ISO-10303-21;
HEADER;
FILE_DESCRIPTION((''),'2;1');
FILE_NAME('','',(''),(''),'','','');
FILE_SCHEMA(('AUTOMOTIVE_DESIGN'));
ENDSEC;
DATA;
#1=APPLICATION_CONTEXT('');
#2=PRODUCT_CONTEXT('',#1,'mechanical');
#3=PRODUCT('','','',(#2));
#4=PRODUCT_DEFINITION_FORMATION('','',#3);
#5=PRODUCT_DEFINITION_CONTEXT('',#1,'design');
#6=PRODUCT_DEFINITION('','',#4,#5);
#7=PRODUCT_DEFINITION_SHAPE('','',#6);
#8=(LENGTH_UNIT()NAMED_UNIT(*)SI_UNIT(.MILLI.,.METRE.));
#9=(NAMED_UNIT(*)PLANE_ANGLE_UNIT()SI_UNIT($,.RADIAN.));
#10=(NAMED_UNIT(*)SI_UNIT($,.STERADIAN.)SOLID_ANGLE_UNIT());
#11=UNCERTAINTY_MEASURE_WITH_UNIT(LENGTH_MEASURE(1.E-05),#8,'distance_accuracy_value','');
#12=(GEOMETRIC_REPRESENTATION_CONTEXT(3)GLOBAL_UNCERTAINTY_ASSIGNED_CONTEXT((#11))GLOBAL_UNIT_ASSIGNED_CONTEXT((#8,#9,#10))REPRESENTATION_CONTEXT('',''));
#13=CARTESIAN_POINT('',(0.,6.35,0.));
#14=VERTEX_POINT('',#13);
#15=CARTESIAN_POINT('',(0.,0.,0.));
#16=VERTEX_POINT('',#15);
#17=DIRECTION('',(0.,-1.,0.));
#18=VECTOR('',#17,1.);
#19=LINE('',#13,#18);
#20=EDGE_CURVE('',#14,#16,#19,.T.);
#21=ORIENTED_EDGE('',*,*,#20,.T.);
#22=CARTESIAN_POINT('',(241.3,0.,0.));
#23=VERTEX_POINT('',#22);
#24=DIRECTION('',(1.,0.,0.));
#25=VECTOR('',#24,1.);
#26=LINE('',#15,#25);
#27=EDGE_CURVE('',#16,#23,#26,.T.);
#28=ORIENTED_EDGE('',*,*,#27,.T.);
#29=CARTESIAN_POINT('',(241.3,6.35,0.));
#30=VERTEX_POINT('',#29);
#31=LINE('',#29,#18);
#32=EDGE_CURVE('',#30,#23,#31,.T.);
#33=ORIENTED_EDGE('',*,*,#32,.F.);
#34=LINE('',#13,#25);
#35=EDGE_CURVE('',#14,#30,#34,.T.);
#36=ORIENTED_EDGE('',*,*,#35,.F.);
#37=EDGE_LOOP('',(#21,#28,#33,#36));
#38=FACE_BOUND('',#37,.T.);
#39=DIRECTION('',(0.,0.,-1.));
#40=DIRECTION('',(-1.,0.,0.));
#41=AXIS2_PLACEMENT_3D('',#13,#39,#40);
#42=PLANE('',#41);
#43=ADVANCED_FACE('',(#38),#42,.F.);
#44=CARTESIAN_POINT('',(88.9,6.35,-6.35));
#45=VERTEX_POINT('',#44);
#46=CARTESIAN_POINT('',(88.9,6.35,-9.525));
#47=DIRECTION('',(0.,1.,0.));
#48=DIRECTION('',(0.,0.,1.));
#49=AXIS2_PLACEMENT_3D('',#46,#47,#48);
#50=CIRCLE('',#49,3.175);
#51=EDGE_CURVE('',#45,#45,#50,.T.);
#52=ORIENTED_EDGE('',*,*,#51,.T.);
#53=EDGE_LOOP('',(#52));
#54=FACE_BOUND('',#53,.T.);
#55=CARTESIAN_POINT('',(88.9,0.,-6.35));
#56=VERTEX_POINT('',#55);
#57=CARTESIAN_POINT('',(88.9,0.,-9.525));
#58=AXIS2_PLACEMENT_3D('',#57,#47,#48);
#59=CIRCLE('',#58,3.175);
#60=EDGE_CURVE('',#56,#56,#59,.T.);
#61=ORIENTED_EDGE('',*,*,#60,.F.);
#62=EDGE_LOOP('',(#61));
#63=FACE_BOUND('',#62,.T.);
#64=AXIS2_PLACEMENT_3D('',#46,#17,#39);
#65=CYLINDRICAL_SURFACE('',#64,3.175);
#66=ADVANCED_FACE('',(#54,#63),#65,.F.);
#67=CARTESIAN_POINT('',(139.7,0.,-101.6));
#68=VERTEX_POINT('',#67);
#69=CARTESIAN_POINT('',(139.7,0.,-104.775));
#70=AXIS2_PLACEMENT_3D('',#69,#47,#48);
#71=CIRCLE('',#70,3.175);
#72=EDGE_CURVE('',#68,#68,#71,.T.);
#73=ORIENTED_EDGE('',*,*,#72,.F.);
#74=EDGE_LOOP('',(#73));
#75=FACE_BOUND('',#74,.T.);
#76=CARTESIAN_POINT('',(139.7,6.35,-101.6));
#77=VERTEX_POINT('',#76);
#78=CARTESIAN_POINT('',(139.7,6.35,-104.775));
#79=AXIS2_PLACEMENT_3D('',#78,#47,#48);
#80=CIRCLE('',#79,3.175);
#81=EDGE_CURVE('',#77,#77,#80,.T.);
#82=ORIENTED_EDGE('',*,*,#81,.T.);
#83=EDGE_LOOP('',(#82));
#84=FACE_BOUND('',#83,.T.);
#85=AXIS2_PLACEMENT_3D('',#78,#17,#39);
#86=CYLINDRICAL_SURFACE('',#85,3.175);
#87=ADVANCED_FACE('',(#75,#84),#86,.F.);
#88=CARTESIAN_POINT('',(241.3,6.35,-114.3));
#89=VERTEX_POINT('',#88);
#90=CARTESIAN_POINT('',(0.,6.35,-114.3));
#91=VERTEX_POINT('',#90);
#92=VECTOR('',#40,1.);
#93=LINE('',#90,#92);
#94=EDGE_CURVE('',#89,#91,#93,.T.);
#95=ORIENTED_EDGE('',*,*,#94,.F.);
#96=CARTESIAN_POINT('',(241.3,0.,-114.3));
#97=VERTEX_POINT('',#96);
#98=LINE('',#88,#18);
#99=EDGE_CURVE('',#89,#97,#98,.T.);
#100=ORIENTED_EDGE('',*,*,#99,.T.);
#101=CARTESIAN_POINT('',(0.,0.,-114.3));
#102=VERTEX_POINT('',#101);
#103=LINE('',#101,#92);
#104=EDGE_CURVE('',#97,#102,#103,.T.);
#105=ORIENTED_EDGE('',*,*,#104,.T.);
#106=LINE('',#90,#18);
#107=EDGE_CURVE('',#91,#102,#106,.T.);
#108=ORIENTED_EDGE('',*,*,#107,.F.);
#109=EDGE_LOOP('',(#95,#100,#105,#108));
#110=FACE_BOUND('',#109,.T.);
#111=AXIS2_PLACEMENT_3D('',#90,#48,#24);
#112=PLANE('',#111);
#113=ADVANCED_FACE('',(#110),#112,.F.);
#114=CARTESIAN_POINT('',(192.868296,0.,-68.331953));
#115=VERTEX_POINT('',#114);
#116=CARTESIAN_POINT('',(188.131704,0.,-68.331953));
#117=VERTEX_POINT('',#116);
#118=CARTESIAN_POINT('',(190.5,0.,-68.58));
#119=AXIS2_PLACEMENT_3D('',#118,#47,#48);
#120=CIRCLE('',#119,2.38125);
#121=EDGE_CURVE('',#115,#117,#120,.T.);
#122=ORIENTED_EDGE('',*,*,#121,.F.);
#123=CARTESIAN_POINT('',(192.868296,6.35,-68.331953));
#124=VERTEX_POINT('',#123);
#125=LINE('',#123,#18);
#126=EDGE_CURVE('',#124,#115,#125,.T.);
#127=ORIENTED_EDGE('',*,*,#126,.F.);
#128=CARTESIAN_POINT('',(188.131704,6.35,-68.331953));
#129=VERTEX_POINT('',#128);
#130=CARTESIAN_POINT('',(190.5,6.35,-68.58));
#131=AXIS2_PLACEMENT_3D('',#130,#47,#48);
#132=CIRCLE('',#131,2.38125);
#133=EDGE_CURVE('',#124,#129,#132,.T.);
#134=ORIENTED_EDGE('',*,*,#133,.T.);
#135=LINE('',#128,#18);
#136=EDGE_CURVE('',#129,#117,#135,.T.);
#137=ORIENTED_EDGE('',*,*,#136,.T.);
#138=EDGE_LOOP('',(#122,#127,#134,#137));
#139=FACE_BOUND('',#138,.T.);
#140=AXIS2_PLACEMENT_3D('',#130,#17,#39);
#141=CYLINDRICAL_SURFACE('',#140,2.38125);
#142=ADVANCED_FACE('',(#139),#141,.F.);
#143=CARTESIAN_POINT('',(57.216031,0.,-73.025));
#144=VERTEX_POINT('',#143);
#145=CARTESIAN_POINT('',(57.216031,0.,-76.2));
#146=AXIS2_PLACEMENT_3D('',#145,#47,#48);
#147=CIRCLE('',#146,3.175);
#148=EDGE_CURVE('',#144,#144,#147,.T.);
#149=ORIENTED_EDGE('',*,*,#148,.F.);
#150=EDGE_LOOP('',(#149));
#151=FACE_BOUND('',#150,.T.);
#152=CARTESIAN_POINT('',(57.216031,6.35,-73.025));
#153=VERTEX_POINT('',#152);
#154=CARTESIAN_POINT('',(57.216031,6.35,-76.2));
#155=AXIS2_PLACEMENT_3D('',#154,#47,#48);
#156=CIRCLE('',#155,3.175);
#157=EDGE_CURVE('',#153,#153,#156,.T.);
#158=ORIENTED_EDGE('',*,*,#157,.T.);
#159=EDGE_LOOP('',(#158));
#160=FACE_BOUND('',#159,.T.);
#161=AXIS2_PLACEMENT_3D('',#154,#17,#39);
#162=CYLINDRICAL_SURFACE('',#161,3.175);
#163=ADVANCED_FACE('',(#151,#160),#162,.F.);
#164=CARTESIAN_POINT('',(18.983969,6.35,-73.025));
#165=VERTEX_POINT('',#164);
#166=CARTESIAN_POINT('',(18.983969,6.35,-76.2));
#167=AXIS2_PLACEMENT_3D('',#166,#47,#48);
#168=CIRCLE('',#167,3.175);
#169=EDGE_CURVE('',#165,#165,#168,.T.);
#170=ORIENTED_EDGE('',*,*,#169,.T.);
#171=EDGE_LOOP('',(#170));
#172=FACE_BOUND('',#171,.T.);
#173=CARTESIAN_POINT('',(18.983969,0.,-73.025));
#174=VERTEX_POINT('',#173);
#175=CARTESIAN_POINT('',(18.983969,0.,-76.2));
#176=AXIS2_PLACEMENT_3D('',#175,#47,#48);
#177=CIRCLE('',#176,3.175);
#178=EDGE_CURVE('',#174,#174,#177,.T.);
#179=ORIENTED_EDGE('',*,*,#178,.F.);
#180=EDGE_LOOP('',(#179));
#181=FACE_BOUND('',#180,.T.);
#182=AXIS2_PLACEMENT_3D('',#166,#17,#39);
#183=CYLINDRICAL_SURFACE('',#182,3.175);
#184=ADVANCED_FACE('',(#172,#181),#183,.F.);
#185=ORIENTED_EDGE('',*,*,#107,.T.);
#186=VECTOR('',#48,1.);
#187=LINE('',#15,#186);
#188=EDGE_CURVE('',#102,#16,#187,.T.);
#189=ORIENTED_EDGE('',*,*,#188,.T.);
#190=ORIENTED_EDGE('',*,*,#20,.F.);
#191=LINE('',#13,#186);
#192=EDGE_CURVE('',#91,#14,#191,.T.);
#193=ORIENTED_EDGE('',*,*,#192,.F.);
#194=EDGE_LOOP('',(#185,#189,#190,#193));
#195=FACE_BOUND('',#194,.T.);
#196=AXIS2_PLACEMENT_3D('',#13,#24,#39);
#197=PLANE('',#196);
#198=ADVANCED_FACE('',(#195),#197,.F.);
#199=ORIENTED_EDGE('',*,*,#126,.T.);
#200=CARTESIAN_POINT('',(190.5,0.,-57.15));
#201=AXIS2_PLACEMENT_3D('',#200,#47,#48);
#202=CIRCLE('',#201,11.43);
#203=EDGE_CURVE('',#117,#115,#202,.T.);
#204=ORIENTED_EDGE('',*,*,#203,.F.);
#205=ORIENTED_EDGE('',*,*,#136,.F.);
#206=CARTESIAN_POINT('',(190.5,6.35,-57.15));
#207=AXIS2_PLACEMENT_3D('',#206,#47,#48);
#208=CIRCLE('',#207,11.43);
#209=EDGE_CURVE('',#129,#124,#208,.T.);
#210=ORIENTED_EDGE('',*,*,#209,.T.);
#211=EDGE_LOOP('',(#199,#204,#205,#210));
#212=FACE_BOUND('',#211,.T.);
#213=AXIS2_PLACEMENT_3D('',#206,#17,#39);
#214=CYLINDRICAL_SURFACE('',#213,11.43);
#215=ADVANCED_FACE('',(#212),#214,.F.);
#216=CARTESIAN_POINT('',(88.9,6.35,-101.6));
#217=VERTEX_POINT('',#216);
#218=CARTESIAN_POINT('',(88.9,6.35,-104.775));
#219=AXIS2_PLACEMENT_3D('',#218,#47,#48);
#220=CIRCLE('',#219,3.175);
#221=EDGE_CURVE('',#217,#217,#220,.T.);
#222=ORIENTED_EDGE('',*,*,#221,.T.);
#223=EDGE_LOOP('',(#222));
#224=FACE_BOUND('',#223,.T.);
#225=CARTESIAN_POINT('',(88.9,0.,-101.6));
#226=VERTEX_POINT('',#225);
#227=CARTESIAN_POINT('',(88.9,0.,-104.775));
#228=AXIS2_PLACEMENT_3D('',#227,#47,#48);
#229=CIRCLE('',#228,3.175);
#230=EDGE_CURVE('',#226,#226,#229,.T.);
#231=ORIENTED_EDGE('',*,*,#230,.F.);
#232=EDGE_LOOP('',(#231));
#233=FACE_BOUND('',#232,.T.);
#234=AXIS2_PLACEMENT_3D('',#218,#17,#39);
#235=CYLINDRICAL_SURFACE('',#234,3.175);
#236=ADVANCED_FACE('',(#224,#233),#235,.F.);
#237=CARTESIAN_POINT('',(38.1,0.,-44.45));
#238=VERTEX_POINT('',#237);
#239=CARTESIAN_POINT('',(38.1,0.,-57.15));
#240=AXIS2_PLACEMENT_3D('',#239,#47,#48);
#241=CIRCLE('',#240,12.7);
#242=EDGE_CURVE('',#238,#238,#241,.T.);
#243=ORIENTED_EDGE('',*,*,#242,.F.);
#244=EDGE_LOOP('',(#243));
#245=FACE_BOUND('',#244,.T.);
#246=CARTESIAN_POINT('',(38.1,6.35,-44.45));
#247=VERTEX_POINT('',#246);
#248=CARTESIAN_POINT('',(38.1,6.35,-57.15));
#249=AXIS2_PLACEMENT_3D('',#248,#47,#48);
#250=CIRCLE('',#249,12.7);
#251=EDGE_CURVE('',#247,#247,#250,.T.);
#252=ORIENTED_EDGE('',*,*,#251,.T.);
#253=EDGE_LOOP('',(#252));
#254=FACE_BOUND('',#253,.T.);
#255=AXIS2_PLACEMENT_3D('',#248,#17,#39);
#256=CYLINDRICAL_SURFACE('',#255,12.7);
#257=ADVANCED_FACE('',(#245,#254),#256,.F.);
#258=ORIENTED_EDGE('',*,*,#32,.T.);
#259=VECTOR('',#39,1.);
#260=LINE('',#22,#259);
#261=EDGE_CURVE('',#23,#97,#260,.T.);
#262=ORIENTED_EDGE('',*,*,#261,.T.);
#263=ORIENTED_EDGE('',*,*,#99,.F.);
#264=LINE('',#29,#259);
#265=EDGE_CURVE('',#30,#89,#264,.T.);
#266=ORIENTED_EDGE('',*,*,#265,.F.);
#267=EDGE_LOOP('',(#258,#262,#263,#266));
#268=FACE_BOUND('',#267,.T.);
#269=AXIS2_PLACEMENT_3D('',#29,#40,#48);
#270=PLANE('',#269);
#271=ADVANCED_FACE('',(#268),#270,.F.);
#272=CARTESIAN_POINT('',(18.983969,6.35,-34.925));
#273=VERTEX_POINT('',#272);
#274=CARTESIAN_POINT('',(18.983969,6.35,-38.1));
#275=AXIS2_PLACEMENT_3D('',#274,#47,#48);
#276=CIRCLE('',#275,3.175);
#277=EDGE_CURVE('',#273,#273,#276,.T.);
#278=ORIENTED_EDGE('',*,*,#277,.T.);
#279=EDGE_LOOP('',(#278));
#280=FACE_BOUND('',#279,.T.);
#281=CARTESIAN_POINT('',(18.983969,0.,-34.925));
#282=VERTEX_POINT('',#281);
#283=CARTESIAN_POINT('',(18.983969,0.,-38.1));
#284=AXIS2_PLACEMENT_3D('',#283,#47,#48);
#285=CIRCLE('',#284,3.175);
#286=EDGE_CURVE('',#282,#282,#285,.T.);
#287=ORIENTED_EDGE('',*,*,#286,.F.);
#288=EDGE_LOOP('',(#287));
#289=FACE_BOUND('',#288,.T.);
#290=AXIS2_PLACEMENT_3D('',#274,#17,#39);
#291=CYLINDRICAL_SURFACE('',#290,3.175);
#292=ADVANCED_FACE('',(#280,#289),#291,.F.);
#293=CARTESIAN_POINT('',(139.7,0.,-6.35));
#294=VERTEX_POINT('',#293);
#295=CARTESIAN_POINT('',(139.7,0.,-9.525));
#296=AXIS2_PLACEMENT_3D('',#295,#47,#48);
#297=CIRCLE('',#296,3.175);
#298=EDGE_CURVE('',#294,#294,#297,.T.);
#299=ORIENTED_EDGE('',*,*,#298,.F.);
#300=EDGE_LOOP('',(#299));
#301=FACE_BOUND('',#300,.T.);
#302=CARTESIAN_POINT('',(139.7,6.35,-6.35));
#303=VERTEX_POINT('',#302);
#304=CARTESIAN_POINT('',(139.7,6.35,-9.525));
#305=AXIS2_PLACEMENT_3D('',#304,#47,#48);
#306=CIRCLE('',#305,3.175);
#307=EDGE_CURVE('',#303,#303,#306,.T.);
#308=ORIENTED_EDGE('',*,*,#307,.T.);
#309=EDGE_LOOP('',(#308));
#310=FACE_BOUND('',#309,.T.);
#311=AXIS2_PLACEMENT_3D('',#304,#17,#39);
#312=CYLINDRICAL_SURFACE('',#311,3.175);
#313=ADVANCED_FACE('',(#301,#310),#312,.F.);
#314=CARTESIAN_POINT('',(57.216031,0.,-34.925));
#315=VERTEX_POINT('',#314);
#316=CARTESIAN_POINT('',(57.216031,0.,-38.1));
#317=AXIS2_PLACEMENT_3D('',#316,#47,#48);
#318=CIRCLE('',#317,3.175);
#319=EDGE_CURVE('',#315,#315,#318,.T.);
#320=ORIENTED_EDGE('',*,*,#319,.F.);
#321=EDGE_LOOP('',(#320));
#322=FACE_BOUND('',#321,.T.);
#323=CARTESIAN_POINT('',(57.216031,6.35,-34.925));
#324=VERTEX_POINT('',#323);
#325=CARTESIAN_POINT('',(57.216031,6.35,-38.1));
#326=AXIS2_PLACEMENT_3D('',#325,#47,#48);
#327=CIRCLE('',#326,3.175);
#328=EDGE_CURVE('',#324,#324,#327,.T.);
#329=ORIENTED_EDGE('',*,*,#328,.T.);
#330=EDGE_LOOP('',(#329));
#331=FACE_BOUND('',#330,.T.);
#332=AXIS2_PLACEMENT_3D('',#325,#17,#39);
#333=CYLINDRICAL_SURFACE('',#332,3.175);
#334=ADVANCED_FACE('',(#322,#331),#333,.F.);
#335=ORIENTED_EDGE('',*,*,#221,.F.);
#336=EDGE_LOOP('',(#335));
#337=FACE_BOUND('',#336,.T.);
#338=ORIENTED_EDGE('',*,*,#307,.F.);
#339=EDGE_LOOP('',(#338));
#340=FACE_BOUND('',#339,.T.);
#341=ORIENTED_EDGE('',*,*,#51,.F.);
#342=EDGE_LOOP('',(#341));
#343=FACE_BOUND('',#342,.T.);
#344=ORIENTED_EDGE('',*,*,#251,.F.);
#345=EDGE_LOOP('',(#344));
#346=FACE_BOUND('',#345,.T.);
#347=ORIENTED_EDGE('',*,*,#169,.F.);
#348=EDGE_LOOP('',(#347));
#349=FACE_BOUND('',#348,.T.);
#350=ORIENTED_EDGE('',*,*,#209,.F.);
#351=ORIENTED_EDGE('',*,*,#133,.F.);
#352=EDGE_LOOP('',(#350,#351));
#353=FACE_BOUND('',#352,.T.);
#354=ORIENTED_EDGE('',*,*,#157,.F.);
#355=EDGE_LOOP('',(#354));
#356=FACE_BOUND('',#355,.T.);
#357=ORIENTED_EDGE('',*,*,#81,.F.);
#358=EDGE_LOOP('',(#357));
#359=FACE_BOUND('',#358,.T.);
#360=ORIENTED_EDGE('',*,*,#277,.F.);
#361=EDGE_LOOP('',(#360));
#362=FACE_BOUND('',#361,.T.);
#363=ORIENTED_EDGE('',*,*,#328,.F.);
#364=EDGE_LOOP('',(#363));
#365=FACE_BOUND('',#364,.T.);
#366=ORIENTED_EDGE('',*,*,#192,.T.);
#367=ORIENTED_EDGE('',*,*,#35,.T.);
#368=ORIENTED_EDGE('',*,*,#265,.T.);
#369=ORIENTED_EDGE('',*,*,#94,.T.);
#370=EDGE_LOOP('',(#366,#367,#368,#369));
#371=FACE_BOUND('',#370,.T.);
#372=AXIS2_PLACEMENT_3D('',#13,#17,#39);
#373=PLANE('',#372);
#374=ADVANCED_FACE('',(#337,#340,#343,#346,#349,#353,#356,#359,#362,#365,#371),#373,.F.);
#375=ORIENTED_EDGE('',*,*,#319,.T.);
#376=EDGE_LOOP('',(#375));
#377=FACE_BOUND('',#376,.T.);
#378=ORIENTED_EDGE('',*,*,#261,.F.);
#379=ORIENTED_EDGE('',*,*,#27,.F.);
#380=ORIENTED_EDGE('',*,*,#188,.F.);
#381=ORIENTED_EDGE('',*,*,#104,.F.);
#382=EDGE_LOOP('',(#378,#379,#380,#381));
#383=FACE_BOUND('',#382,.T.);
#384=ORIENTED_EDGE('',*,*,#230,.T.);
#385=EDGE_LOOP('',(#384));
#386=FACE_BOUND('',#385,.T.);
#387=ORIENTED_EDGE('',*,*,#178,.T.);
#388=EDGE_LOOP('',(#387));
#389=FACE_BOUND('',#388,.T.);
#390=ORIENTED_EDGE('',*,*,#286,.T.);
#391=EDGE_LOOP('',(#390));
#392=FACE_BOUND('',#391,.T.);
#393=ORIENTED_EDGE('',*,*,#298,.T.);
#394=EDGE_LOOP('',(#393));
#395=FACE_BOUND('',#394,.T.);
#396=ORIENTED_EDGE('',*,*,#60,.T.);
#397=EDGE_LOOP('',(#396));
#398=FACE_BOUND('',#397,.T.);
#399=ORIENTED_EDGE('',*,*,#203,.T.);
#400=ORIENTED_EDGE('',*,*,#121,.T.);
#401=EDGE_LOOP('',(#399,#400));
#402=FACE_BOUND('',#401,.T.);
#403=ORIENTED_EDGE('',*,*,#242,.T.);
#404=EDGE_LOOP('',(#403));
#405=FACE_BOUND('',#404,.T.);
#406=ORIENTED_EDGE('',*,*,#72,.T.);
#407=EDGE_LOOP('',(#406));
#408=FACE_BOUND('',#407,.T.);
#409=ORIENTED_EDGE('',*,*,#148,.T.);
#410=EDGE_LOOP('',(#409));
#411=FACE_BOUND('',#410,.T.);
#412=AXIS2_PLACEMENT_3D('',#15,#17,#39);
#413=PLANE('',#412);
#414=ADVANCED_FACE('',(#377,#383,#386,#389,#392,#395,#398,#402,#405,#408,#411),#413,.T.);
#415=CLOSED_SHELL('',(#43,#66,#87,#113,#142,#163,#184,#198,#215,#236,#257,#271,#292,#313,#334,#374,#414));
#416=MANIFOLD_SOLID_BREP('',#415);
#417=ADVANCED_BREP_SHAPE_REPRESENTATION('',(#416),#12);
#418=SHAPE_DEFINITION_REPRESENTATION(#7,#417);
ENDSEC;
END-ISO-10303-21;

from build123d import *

# Parameters (mm, degrees)
SKETCH1_W           = 241.3
SKETCH1_H           = 114.3
SKETCH1_R           = 12.7
SKETCH1_R_2         = 3.175
BOSS_EXTRUDE1_DEPTH = 6.35


with BuildPart() as part:
    # Sketch1 → Boss-Extrude1 (new body)
    with BuildSketch(Plane(origin=(0, 0, 0), x_dir=(1, 0, 0), z_dir=(0, 1, 0))):
        with Locations((120.65, 57.15)):
            Rectangle(SKETCH1_W, SKETCH1_H)
        with Locations((38.1, 57.15)):
            Circle(SKETCH1_R, mode=Mode.SUBTRACT)
        with Locations((88.9, 104.775)):
            Circle(SKETCH1_R_2, mode=Mode.SUBTRACT)
        with Locations((139.7, 104.775)):
            Circle(SKETCH1_R_2, mode=Mode.SUBTRACT)
        with Locations((139.7, 9.525)):
            Circle(SKETCH1_R_2, mode=Mode.SUBTRACT)
        with Locations((88.9, 9.525)):
            Circle(SKETCH1_R_2, mode=Mode.SUBTRACT)
        with Locations((18.983968606, 76.2)):
            Circle(SKETCH1_R_2, mode=Mode.SUBTRACT)
        with Locations((18.983968606, 38.1)):
            Circle(SKETCH1_R_2, mode=Mode.SUBTRACT)
        with Locations((57.216031394, 38.1)):
            Circle(SKETCH1_R_2, mode=Mode.SUBTRACT)
        with Locations((57.216031394, 76.2)):
            Circle(SKETCH1_R_2, mode=Mode.SUBTRACT)
        with BuildLine():
            ThreePointArc((188.131704345, 68.331953125), (190.5, 45.72), (192.868295655, 68.331953125))
            ThreePointArc((192.868295655, 68.331953125), (190.5, 70.96125), (188.131704345, 68.331953125))
        make_face(mode=Mode.SUBTRACT)
    extrude(amount=BOSS_EXTRUDE1_DEPTH)


solid = part.part
